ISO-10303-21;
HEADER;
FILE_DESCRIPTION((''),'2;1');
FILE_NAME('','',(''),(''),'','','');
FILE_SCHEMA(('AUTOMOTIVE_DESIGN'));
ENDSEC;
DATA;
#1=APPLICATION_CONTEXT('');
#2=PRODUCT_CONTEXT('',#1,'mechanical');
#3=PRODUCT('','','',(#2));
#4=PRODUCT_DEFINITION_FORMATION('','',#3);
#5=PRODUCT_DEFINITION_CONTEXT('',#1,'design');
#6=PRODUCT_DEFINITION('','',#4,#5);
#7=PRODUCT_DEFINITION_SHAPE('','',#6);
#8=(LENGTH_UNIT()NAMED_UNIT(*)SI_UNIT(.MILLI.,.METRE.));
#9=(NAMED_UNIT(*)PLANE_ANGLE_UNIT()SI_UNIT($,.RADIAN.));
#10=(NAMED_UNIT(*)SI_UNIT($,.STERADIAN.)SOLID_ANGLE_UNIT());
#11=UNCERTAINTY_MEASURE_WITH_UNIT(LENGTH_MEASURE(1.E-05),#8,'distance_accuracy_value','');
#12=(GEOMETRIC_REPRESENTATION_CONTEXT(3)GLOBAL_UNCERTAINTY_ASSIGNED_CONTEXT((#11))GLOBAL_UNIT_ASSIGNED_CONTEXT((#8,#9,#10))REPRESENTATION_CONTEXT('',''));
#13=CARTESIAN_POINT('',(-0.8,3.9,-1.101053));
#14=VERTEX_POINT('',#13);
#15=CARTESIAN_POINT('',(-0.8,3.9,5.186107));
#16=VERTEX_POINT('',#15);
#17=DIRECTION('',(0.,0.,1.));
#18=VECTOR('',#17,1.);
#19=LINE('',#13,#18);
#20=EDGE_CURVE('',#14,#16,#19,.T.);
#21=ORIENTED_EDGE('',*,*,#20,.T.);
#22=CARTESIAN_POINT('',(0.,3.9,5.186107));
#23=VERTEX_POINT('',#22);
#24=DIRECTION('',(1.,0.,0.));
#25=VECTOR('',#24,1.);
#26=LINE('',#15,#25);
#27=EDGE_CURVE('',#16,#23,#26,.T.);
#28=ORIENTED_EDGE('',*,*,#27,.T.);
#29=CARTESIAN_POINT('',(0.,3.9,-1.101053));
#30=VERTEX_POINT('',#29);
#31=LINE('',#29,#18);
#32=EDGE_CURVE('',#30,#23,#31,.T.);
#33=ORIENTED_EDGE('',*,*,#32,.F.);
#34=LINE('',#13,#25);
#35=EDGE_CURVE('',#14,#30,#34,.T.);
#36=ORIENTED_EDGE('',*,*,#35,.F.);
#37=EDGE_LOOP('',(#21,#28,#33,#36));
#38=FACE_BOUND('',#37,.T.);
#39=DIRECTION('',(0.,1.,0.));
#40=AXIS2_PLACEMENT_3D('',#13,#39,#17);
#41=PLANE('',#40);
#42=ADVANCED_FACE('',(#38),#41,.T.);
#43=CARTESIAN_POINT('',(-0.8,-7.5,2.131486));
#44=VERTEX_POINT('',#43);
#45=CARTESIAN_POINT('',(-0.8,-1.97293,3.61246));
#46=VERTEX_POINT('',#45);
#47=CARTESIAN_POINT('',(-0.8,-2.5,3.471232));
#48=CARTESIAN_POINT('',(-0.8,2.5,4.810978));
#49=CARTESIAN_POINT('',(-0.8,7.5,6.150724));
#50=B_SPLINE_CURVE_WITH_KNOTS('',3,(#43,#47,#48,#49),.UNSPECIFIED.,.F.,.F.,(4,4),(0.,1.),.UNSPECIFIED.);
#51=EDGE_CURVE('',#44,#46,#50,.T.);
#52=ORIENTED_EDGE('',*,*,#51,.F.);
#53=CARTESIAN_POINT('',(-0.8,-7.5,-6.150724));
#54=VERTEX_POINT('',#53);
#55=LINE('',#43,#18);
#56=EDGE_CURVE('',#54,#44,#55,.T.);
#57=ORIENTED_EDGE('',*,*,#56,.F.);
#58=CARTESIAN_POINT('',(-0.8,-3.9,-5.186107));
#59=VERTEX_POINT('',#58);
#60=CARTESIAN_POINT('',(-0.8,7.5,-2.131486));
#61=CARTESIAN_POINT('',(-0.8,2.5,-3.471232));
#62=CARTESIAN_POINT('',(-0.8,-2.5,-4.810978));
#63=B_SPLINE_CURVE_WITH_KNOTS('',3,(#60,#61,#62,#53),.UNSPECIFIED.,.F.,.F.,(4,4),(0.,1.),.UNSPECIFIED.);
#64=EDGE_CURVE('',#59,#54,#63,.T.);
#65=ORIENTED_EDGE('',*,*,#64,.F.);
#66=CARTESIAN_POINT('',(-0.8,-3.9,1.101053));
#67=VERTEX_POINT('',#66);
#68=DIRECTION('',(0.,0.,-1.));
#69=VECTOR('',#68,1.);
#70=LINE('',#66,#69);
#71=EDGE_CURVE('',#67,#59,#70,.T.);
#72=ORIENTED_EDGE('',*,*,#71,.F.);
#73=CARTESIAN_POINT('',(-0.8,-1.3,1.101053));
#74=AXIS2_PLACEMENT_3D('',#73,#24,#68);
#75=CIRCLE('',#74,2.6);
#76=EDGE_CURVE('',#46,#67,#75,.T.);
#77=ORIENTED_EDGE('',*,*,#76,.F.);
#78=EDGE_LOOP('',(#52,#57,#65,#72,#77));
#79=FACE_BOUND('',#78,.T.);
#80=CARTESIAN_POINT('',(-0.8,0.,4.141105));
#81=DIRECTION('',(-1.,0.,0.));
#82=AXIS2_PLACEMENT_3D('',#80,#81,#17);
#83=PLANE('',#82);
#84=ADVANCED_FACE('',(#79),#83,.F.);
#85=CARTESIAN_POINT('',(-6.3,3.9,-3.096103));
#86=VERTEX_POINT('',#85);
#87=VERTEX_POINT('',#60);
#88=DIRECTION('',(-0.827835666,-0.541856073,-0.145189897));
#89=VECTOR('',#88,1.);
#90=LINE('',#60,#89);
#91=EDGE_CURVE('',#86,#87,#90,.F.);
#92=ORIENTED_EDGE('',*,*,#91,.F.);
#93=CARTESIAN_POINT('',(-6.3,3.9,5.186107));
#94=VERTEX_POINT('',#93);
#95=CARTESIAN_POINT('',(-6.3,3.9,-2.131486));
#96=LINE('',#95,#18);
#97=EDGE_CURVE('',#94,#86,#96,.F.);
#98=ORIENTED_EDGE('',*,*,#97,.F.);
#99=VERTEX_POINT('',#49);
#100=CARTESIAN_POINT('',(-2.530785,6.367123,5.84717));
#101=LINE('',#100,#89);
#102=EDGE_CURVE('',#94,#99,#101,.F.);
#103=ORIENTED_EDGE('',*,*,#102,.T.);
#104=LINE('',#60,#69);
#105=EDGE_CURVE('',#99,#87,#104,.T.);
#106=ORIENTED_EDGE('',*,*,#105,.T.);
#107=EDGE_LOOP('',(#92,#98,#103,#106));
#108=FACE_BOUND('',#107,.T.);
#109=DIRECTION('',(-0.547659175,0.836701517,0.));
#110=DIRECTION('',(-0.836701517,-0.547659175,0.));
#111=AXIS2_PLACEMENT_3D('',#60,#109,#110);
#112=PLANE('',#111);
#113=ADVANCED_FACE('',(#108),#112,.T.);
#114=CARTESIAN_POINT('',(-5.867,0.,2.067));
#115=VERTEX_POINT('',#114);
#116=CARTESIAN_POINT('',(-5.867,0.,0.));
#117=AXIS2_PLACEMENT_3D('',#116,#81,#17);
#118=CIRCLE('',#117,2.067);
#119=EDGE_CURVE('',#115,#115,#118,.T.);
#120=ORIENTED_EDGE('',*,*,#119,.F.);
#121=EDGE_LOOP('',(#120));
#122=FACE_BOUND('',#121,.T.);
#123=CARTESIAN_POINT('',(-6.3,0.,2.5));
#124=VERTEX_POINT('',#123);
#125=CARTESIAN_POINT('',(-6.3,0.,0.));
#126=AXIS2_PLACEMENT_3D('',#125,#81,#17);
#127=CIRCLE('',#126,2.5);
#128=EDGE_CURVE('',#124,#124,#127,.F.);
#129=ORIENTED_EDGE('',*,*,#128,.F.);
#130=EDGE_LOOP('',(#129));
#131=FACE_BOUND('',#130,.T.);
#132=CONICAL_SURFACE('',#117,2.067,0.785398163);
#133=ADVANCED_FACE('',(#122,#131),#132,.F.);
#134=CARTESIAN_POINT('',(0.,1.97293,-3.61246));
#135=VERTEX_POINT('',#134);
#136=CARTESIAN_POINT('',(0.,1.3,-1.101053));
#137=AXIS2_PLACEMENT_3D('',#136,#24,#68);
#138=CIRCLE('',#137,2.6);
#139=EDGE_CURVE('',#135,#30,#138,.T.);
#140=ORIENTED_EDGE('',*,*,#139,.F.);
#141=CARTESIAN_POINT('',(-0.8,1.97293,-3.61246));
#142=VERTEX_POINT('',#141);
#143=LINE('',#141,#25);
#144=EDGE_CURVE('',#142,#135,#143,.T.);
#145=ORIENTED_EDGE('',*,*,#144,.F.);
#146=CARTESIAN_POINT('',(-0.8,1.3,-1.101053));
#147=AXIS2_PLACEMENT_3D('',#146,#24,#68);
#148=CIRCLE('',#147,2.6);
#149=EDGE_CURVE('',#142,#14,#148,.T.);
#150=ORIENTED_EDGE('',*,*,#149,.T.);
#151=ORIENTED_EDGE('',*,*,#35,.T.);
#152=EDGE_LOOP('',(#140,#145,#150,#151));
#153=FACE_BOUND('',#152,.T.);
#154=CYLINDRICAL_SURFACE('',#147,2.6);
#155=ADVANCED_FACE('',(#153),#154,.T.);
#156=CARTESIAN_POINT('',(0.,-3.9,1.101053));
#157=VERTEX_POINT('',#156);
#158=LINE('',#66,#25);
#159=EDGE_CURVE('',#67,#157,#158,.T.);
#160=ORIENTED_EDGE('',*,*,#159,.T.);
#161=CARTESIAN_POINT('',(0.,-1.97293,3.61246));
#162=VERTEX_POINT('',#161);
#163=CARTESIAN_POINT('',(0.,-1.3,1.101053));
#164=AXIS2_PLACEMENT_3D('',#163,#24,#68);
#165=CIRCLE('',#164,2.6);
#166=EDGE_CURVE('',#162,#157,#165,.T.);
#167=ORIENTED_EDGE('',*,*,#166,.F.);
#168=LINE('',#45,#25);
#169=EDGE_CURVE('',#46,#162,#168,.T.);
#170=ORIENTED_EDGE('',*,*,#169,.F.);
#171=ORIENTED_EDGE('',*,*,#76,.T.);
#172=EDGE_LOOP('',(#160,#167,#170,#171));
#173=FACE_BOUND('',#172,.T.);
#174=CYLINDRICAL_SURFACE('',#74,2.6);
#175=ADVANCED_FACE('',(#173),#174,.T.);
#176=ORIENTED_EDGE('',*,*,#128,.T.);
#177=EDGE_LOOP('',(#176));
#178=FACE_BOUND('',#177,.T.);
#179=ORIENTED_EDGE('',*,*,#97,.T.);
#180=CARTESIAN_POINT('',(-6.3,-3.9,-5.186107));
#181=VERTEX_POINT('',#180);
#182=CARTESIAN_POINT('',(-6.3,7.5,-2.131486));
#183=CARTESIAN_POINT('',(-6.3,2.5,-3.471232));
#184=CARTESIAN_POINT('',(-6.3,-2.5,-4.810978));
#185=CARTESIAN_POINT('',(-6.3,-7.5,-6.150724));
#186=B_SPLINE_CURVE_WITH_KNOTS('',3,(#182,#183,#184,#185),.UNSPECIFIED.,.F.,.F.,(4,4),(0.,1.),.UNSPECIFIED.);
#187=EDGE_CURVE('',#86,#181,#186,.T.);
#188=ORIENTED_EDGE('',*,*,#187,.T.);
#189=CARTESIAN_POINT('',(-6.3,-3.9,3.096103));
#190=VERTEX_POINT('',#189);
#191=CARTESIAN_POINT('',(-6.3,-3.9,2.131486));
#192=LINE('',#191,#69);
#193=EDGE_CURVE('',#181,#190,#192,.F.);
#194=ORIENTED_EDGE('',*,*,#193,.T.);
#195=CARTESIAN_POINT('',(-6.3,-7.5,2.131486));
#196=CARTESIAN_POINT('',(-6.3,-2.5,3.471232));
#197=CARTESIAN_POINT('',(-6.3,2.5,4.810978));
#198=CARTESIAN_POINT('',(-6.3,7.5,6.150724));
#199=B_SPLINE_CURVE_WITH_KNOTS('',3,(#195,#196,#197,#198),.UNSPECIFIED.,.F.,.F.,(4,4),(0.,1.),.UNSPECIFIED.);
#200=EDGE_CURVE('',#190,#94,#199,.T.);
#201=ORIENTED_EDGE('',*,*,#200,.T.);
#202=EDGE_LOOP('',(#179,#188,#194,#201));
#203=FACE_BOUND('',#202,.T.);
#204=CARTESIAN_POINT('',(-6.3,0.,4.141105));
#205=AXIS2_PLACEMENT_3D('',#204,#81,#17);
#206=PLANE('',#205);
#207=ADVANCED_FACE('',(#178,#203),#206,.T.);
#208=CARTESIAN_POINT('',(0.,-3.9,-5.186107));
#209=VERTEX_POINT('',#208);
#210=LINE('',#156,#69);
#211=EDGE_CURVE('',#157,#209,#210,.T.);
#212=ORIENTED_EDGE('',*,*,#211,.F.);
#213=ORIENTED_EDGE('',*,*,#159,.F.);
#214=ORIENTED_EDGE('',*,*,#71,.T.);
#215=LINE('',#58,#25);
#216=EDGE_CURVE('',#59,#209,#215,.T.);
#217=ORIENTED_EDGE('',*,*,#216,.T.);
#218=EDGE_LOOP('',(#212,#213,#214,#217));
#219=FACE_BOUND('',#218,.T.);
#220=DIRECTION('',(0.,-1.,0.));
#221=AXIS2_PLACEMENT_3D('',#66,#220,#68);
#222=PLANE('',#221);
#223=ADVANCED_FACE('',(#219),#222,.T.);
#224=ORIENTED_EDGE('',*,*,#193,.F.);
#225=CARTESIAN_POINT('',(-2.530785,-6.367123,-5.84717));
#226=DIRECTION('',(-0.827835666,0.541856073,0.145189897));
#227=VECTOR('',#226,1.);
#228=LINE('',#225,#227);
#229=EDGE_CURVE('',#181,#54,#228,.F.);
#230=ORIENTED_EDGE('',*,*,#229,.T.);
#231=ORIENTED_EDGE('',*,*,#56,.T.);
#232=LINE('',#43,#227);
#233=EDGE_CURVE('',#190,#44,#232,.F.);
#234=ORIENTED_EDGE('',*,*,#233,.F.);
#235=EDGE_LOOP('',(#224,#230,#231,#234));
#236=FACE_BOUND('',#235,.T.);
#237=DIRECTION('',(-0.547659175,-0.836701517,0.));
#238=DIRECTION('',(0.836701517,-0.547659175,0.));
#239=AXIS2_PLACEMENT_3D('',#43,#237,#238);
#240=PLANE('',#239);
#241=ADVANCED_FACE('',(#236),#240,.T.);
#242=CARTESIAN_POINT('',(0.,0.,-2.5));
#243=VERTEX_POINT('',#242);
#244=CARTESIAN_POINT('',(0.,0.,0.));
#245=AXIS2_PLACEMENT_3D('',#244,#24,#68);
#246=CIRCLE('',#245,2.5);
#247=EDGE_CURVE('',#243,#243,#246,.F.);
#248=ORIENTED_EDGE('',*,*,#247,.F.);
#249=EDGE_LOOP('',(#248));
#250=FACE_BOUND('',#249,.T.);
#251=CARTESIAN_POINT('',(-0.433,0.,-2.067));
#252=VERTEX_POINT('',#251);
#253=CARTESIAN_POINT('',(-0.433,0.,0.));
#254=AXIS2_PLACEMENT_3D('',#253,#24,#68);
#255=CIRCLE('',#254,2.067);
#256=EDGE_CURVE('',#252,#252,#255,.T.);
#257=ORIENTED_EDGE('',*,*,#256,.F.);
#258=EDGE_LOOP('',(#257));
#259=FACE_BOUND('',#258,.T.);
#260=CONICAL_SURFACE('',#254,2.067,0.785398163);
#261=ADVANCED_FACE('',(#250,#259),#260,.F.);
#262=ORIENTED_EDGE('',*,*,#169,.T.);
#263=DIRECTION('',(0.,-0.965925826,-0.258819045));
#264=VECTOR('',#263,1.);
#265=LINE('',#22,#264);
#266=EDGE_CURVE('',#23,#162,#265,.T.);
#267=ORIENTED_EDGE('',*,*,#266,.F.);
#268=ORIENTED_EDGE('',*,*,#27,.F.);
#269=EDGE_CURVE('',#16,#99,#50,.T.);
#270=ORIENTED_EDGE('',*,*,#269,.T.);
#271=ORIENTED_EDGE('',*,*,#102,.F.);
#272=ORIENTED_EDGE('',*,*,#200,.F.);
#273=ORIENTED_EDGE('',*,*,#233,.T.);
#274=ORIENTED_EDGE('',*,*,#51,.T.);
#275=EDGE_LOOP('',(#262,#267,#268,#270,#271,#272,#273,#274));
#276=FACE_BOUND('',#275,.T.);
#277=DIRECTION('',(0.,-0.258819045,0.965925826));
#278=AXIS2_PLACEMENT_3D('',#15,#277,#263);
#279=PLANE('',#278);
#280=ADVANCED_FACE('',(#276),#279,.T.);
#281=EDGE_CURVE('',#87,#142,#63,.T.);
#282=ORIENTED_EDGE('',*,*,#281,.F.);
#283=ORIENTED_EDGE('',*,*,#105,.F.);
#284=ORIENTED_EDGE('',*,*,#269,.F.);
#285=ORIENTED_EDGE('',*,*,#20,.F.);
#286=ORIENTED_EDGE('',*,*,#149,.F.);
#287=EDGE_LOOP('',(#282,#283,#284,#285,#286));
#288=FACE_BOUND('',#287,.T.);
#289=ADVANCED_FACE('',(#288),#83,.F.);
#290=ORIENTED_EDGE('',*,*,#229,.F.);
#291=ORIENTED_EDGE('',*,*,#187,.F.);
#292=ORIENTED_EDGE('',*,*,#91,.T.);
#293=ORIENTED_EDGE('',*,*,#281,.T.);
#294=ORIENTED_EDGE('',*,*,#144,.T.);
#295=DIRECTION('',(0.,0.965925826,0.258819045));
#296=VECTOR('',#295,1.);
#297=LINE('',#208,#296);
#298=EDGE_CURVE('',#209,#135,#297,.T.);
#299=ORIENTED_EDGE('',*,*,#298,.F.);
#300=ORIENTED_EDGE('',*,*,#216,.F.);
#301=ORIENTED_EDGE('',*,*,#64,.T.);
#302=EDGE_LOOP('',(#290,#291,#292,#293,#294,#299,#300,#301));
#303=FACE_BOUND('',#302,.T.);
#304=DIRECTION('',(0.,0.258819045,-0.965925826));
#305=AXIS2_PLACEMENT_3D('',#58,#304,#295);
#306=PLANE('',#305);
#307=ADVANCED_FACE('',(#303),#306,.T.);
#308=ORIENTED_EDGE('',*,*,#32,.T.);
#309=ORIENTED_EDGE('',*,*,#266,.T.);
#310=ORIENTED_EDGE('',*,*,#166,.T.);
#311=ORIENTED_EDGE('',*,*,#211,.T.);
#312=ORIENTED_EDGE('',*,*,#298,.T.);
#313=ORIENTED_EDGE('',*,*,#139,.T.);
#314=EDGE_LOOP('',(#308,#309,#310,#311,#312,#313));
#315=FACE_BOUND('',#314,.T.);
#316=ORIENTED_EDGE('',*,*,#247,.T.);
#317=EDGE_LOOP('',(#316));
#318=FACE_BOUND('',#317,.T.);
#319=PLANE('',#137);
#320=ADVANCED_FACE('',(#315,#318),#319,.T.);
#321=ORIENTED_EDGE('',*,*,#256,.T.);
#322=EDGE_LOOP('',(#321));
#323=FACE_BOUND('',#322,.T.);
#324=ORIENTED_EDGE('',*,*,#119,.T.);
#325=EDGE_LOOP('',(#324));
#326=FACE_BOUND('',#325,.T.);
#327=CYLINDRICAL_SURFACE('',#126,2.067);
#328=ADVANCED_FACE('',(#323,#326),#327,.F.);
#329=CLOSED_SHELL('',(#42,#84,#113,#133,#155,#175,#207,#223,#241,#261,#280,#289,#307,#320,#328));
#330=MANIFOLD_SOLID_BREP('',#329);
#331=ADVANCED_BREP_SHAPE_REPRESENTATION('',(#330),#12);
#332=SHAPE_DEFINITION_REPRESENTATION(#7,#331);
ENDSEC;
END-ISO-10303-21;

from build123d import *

# Parameters (mm, degrees)
EXTRUDE1_DEPTH = 0.8
EXTRUDE2_DEPTH = 5.5
DRAFT1_ANGLE   = -33.206570315
DRAFT2_ANGLE   = -33.206570315
HOLEWZD1_D     = 4.134
CHAMFER1_SIZE  = 0.433


with BuildPart() as part:
    # Sketch1 → Extrude1 (new body)
    with BuildSketch(Plane(origin=(0, 0, 0), x_dir=(0, 0, -1), z_dir=(1, 0, 0))):
        with BuildLine():
            Line((1.101052702, 3.9), (-5.186106572, 3.9))
            Line((-5.186106572, 3.9), (-3.612459851, -1.972929517))
            ThreePointArc((-3.612459851, -1.972929517), (-2.683832418, -3.362718685), (-1.101052702, -3.9))
            Line((-1.101052702, -3.9), (5.186106572, -3.9))
            Line((5.186106572, -3.9), (3.612459851, 1.972929517))
            ThreePointArc((3.612459851, 1.972929517), (2.683832418, 3.362718685), (1.101052702, 3.9))
        make_face()
    extrude(amount=-EXTRUDE1_DEPTH)

    # Sketch2 → Extrude2 (add)
    with BuildSketch(Plane.ZY.offset(0.8)):
        with BuildLine():
            Line((2.131485778, -7.5), (-6.150723665, -7.5))
            add(Edge.make_bspline(
                [(-2.131485778, 7.5), (-3.471231741, 2.5), (-4.810977703, -2.5), (-6.150723665, -7.5)],
                knots=[0, 0, 0, 0, 1, 1, 1, 1], degree=3))
            Line((-2.131485778, 7.5), (6.150723665, 7.5))
            add(Edge.make_bspline(
                [(2.131485778, -7.5), (3.471231741, -2.5), (4.810977703, 2.5), (6.150723665, 7.5)],
                knots=[0, 0, 0, 0, 1, 1, 1, 1], degree=3))
        make_face()
    extrude(amount=EXTRUDE2_DEPTH)

    # Draft1
    draft1_faces = [part.faces().sort_by_distance(p)[0] for p in [
        (-3.55, 7.5, 2.009618943),
    ]]
    draft(draft1_faces, Plane(origin=(-0.8, 0, 4.141104722), x_dir=(0, 0, 1), z_dir=(1, 0, 0)), DRAFT1_ANGLE)

    # Draft2
    draft2_faces = [part.faces().sort_by_distance(p)[0] for p in [
        (-3.55, -7.5, -2.009618943),
    ]]
    draft(draft2_faces, Plane(origin=(-0.8, 0, 4.141104722), x_dir=(0, 0, 1), z_dir=(1, 0, 0)), DRAFT2_ANGLE)

    # HoleWzd1 (through all)
    with Locations(Plane.ZY.offset(6.3)):
        with Locations((0, 0)):
            Hole(HOLEWZD1_D / 2)

    # Chamfer1
    chamfer1_edges = [part.edges().sort_by_distance(p)[0] for p in [
        (0, 0, 2.067),
        (-6.3, 0, 2.067),
    ]]
    chamfer(chamfer1_edges, length=CHAMFER1_SIZE)


solid = part.part
